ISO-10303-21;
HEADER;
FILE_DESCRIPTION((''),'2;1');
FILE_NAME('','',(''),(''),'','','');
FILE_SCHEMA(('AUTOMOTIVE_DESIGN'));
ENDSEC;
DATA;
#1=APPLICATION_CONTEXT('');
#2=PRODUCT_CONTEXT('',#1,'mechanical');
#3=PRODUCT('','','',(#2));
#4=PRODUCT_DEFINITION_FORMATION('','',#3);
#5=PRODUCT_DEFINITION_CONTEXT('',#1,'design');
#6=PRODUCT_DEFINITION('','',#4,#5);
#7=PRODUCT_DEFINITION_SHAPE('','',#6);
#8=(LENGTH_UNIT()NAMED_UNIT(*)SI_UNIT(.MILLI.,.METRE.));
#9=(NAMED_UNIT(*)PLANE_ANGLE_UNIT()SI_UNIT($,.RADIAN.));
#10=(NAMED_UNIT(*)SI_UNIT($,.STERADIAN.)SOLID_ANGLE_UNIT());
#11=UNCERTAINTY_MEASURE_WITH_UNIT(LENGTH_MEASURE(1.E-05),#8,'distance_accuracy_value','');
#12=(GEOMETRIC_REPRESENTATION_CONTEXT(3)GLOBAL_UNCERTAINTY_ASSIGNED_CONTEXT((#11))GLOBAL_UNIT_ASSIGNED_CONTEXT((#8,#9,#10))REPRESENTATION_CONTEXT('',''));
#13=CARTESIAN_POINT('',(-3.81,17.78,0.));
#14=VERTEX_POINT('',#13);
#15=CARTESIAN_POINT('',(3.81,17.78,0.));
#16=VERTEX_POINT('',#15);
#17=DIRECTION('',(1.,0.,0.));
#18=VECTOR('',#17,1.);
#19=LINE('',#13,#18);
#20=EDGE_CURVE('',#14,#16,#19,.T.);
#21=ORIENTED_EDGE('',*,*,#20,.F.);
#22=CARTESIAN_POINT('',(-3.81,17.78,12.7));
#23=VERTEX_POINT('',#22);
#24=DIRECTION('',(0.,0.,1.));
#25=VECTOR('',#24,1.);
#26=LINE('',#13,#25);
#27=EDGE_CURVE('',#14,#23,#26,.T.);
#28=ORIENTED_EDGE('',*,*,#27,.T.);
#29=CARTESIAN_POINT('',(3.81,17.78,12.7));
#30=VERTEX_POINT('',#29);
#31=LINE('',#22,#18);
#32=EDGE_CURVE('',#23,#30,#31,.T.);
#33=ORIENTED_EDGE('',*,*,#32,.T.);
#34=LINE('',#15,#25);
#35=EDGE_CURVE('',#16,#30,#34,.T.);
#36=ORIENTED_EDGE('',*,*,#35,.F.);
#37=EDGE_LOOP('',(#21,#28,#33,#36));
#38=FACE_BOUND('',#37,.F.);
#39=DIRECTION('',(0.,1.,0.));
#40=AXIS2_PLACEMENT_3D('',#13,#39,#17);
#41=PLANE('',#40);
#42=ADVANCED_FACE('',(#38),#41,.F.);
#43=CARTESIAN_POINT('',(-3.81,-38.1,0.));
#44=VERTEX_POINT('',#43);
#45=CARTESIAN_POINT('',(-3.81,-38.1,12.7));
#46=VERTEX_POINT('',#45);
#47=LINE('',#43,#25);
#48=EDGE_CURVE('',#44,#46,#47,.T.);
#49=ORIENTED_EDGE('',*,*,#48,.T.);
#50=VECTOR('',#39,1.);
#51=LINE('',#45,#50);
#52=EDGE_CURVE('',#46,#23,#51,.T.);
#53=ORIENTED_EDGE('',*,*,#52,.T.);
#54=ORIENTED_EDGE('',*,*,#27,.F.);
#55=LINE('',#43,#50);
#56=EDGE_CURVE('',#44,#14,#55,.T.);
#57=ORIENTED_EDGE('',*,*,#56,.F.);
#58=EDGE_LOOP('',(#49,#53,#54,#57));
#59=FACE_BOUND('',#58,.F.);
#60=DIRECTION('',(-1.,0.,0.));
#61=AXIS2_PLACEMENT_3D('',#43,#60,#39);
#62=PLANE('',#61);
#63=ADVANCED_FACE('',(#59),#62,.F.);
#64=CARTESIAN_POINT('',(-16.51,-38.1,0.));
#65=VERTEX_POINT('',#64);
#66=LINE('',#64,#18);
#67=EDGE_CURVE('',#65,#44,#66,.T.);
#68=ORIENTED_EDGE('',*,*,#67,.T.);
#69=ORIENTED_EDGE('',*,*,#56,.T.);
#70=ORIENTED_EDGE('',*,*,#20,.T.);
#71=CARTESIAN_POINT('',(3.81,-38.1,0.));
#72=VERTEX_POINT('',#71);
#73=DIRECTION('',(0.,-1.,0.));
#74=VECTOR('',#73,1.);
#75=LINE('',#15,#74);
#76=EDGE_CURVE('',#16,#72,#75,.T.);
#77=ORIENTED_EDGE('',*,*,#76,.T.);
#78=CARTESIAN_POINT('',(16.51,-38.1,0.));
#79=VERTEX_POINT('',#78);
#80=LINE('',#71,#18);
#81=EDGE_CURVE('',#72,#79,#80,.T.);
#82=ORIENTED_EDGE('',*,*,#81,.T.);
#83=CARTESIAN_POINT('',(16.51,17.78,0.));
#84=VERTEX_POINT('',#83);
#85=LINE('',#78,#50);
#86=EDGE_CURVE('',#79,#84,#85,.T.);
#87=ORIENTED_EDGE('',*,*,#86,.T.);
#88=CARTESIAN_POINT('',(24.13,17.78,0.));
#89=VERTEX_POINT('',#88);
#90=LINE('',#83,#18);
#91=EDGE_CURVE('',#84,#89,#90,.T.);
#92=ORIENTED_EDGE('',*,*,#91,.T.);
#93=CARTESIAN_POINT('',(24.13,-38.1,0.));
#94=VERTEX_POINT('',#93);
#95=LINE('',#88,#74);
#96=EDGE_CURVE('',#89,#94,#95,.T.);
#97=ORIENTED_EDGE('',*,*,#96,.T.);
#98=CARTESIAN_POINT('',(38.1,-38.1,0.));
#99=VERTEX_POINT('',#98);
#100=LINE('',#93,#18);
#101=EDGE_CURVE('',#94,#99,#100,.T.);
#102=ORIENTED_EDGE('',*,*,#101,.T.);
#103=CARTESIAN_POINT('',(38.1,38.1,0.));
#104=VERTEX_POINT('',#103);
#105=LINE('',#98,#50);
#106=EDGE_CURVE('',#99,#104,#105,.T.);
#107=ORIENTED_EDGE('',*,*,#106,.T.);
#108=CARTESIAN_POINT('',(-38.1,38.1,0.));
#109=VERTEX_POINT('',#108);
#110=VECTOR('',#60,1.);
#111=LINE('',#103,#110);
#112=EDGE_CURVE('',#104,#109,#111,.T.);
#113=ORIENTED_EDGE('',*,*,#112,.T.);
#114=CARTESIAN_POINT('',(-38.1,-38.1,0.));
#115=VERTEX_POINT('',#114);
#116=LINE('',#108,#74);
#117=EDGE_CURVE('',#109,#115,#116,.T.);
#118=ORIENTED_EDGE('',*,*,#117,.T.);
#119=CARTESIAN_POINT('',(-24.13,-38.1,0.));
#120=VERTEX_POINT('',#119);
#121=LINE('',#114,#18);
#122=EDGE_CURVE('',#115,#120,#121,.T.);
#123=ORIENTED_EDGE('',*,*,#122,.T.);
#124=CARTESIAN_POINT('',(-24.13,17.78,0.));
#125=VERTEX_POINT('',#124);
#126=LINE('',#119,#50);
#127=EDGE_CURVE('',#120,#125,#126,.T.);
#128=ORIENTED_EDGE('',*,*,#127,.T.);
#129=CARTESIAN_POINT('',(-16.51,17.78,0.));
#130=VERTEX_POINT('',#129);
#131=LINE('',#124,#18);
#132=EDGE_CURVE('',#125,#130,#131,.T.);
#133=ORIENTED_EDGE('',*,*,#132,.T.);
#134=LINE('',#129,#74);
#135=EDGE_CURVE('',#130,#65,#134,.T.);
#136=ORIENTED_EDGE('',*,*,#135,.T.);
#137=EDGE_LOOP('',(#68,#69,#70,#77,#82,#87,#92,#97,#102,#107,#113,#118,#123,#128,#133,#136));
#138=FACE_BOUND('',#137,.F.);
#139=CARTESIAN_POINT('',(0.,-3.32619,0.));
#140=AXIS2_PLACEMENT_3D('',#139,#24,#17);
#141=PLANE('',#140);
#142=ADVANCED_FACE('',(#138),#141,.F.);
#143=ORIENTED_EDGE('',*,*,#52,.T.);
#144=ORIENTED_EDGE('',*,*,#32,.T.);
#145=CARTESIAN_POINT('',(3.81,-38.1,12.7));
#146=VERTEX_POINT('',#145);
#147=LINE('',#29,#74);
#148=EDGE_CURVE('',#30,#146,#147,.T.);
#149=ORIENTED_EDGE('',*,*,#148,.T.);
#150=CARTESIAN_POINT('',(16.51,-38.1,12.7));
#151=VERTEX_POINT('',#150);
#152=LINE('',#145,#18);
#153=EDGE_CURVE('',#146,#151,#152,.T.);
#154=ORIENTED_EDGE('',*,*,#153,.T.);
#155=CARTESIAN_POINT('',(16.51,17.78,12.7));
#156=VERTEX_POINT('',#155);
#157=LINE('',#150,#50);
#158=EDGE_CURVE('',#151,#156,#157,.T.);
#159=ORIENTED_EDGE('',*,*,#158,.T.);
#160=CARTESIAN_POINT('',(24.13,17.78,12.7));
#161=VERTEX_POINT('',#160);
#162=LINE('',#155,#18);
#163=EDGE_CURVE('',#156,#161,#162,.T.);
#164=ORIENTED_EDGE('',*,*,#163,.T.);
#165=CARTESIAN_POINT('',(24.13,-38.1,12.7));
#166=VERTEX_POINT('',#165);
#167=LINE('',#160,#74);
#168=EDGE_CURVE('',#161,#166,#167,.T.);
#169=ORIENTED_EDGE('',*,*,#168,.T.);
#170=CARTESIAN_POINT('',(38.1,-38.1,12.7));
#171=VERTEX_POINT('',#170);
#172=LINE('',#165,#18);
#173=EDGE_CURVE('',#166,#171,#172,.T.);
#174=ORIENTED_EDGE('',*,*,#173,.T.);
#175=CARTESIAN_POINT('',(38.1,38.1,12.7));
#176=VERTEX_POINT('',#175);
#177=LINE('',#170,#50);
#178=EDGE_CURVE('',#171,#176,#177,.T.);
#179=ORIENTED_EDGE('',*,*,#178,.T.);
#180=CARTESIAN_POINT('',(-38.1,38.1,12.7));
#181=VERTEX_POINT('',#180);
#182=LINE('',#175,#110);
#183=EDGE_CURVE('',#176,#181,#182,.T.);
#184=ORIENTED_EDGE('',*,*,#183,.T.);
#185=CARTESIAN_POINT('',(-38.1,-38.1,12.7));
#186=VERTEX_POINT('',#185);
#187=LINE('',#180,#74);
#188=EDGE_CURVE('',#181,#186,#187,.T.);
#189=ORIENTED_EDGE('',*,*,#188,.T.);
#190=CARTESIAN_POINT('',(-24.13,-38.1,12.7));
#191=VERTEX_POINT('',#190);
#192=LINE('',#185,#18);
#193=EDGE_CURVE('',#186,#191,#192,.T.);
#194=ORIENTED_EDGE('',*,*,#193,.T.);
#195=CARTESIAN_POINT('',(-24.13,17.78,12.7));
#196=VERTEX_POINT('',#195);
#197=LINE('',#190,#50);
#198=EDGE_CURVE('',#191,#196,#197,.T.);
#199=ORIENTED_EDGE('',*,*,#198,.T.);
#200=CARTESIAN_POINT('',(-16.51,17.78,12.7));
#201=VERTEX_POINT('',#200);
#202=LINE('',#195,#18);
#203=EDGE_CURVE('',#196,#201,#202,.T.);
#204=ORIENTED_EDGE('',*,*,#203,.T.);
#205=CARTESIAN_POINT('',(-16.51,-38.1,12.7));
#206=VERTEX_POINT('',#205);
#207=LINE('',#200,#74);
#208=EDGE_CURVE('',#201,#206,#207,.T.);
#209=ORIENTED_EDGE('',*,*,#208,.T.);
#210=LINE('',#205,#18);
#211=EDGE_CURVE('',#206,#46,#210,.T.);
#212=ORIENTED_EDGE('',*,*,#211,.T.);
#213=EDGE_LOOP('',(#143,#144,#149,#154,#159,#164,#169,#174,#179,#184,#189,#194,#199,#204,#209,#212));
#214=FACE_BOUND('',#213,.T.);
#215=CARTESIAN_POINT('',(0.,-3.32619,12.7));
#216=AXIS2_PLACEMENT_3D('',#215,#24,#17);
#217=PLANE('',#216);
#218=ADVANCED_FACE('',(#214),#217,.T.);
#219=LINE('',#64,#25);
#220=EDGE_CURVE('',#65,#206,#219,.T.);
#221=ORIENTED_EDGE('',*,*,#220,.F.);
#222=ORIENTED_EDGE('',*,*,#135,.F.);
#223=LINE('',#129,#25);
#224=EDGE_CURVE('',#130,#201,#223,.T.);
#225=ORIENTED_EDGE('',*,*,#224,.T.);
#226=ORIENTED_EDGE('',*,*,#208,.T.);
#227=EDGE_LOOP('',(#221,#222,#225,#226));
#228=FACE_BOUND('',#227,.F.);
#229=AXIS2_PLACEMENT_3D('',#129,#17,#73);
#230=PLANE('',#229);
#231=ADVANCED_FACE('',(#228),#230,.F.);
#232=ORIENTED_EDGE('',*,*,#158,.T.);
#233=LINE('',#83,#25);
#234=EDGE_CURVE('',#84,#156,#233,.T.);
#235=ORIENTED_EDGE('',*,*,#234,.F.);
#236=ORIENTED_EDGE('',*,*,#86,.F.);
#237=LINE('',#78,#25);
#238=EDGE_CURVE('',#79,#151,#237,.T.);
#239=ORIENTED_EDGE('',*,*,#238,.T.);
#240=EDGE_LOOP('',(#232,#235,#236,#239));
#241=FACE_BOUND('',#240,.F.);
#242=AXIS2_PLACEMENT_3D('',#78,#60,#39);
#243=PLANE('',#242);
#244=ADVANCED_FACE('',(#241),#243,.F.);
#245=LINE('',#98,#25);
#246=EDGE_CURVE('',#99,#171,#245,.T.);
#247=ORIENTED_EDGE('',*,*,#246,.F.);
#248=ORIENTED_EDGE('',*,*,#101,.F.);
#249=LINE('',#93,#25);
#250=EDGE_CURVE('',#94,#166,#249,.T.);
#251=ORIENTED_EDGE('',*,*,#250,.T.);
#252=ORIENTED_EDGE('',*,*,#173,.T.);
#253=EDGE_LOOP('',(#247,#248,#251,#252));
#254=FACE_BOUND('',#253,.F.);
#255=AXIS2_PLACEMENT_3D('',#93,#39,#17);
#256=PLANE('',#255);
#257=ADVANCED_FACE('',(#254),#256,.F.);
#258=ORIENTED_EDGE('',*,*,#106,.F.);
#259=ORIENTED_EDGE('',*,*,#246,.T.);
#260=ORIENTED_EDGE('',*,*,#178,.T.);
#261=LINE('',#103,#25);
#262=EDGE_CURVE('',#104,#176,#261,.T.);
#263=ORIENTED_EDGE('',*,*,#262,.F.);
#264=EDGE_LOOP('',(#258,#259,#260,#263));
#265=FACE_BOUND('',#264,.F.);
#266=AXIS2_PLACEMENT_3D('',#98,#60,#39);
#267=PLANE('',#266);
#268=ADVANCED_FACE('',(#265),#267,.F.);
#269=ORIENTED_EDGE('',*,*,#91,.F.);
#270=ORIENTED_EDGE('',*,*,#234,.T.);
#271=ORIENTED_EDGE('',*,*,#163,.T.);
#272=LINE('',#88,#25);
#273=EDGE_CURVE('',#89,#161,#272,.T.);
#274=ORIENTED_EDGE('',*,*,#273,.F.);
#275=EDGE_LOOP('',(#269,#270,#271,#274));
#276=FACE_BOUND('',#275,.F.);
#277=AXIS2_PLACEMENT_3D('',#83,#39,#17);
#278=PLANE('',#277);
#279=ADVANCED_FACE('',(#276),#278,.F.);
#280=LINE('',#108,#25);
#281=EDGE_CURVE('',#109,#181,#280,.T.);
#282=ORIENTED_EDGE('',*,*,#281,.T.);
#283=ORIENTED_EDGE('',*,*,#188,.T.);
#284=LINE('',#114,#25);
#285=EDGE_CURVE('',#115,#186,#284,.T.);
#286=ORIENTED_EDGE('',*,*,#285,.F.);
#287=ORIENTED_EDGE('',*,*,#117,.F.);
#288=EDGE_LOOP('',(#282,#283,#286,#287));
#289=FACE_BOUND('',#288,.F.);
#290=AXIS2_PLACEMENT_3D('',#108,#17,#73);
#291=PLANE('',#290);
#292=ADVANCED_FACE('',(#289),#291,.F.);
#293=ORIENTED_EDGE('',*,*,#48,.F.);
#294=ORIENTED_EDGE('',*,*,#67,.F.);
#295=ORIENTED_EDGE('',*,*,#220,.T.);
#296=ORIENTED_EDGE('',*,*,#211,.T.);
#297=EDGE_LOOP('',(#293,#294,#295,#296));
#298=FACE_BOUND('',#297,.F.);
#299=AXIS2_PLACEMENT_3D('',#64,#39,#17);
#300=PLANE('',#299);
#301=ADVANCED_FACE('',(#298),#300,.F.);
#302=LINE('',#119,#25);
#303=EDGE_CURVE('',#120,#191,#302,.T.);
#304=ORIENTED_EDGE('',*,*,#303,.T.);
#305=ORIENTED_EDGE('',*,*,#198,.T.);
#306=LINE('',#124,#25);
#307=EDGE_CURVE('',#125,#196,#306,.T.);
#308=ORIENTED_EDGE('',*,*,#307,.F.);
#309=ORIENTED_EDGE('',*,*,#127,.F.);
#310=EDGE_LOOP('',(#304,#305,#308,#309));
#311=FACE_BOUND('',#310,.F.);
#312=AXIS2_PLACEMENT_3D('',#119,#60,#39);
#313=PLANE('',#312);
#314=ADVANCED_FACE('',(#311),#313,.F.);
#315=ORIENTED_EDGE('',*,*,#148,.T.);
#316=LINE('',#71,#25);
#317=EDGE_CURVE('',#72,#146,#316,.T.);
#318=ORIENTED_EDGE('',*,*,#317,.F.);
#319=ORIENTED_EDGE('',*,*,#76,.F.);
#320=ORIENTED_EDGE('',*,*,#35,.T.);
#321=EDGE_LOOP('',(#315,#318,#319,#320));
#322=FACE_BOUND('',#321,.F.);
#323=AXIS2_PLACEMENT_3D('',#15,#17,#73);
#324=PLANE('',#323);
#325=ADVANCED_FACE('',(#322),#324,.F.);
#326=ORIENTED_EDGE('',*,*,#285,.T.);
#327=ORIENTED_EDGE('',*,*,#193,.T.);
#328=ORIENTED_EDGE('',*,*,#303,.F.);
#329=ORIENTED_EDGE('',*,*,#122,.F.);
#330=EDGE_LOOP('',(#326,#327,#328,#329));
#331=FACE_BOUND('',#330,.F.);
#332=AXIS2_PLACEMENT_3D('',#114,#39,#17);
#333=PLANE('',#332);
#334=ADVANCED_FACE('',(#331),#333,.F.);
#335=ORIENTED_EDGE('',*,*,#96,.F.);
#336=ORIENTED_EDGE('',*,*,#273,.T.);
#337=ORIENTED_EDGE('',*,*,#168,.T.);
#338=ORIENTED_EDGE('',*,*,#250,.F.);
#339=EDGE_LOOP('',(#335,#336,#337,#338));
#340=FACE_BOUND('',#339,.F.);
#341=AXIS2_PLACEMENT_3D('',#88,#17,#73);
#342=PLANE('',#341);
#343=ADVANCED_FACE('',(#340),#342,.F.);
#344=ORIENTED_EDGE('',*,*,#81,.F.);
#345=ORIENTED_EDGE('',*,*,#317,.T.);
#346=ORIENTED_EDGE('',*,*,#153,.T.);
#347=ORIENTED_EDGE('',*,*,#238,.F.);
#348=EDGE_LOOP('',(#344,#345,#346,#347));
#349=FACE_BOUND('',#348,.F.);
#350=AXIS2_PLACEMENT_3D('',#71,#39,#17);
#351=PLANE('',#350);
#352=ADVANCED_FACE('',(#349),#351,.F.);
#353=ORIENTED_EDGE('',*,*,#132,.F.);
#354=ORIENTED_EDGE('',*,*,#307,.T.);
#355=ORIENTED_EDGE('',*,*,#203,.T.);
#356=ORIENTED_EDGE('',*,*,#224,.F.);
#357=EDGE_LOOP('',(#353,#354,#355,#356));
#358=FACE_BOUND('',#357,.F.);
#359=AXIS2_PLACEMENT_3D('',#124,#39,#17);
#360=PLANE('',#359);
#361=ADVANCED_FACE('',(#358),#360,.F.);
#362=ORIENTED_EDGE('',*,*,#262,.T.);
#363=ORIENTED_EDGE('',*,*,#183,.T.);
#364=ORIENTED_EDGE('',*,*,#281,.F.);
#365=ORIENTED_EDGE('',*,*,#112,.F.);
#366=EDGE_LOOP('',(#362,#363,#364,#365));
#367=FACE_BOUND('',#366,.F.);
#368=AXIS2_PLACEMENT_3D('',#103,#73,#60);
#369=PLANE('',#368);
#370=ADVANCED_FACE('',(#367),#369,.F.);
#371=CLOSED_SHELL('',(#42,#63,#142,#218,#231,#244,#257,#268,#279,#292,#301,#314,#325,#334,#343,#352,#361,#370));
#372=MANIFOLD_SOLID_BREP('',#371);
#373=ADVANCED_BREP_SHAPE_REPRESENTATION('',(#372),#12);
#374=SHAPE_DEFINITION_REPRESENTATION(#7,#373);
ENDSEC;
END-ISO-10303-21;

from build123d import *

# Parameters (mm, degrees)
F1_DEPTH = 12.7


with BuildPart() as f1:
    # F0 (on Top) → F1 (new body)
    with BuildSketch(Plane.XY):
        Polygon((38.1, -38.1), (38.1, 38.1), (-38.1, 38.1), (-38.1, -38.1), (-24.13, -38.1), (-24.13, 17.78), (-16.51, 17.78), (-16.51, -38.1), (-3.81, -38.1), (-3.81, 17.78), (3.81, 17.78), (3.81, -38.1), (16.51, -38.1), (16.51, 17.78), (24.13, 17.78), (24.13, -38.1), align=None)
    extrude(amount=F1_DEPTH)


solid = f1.part
